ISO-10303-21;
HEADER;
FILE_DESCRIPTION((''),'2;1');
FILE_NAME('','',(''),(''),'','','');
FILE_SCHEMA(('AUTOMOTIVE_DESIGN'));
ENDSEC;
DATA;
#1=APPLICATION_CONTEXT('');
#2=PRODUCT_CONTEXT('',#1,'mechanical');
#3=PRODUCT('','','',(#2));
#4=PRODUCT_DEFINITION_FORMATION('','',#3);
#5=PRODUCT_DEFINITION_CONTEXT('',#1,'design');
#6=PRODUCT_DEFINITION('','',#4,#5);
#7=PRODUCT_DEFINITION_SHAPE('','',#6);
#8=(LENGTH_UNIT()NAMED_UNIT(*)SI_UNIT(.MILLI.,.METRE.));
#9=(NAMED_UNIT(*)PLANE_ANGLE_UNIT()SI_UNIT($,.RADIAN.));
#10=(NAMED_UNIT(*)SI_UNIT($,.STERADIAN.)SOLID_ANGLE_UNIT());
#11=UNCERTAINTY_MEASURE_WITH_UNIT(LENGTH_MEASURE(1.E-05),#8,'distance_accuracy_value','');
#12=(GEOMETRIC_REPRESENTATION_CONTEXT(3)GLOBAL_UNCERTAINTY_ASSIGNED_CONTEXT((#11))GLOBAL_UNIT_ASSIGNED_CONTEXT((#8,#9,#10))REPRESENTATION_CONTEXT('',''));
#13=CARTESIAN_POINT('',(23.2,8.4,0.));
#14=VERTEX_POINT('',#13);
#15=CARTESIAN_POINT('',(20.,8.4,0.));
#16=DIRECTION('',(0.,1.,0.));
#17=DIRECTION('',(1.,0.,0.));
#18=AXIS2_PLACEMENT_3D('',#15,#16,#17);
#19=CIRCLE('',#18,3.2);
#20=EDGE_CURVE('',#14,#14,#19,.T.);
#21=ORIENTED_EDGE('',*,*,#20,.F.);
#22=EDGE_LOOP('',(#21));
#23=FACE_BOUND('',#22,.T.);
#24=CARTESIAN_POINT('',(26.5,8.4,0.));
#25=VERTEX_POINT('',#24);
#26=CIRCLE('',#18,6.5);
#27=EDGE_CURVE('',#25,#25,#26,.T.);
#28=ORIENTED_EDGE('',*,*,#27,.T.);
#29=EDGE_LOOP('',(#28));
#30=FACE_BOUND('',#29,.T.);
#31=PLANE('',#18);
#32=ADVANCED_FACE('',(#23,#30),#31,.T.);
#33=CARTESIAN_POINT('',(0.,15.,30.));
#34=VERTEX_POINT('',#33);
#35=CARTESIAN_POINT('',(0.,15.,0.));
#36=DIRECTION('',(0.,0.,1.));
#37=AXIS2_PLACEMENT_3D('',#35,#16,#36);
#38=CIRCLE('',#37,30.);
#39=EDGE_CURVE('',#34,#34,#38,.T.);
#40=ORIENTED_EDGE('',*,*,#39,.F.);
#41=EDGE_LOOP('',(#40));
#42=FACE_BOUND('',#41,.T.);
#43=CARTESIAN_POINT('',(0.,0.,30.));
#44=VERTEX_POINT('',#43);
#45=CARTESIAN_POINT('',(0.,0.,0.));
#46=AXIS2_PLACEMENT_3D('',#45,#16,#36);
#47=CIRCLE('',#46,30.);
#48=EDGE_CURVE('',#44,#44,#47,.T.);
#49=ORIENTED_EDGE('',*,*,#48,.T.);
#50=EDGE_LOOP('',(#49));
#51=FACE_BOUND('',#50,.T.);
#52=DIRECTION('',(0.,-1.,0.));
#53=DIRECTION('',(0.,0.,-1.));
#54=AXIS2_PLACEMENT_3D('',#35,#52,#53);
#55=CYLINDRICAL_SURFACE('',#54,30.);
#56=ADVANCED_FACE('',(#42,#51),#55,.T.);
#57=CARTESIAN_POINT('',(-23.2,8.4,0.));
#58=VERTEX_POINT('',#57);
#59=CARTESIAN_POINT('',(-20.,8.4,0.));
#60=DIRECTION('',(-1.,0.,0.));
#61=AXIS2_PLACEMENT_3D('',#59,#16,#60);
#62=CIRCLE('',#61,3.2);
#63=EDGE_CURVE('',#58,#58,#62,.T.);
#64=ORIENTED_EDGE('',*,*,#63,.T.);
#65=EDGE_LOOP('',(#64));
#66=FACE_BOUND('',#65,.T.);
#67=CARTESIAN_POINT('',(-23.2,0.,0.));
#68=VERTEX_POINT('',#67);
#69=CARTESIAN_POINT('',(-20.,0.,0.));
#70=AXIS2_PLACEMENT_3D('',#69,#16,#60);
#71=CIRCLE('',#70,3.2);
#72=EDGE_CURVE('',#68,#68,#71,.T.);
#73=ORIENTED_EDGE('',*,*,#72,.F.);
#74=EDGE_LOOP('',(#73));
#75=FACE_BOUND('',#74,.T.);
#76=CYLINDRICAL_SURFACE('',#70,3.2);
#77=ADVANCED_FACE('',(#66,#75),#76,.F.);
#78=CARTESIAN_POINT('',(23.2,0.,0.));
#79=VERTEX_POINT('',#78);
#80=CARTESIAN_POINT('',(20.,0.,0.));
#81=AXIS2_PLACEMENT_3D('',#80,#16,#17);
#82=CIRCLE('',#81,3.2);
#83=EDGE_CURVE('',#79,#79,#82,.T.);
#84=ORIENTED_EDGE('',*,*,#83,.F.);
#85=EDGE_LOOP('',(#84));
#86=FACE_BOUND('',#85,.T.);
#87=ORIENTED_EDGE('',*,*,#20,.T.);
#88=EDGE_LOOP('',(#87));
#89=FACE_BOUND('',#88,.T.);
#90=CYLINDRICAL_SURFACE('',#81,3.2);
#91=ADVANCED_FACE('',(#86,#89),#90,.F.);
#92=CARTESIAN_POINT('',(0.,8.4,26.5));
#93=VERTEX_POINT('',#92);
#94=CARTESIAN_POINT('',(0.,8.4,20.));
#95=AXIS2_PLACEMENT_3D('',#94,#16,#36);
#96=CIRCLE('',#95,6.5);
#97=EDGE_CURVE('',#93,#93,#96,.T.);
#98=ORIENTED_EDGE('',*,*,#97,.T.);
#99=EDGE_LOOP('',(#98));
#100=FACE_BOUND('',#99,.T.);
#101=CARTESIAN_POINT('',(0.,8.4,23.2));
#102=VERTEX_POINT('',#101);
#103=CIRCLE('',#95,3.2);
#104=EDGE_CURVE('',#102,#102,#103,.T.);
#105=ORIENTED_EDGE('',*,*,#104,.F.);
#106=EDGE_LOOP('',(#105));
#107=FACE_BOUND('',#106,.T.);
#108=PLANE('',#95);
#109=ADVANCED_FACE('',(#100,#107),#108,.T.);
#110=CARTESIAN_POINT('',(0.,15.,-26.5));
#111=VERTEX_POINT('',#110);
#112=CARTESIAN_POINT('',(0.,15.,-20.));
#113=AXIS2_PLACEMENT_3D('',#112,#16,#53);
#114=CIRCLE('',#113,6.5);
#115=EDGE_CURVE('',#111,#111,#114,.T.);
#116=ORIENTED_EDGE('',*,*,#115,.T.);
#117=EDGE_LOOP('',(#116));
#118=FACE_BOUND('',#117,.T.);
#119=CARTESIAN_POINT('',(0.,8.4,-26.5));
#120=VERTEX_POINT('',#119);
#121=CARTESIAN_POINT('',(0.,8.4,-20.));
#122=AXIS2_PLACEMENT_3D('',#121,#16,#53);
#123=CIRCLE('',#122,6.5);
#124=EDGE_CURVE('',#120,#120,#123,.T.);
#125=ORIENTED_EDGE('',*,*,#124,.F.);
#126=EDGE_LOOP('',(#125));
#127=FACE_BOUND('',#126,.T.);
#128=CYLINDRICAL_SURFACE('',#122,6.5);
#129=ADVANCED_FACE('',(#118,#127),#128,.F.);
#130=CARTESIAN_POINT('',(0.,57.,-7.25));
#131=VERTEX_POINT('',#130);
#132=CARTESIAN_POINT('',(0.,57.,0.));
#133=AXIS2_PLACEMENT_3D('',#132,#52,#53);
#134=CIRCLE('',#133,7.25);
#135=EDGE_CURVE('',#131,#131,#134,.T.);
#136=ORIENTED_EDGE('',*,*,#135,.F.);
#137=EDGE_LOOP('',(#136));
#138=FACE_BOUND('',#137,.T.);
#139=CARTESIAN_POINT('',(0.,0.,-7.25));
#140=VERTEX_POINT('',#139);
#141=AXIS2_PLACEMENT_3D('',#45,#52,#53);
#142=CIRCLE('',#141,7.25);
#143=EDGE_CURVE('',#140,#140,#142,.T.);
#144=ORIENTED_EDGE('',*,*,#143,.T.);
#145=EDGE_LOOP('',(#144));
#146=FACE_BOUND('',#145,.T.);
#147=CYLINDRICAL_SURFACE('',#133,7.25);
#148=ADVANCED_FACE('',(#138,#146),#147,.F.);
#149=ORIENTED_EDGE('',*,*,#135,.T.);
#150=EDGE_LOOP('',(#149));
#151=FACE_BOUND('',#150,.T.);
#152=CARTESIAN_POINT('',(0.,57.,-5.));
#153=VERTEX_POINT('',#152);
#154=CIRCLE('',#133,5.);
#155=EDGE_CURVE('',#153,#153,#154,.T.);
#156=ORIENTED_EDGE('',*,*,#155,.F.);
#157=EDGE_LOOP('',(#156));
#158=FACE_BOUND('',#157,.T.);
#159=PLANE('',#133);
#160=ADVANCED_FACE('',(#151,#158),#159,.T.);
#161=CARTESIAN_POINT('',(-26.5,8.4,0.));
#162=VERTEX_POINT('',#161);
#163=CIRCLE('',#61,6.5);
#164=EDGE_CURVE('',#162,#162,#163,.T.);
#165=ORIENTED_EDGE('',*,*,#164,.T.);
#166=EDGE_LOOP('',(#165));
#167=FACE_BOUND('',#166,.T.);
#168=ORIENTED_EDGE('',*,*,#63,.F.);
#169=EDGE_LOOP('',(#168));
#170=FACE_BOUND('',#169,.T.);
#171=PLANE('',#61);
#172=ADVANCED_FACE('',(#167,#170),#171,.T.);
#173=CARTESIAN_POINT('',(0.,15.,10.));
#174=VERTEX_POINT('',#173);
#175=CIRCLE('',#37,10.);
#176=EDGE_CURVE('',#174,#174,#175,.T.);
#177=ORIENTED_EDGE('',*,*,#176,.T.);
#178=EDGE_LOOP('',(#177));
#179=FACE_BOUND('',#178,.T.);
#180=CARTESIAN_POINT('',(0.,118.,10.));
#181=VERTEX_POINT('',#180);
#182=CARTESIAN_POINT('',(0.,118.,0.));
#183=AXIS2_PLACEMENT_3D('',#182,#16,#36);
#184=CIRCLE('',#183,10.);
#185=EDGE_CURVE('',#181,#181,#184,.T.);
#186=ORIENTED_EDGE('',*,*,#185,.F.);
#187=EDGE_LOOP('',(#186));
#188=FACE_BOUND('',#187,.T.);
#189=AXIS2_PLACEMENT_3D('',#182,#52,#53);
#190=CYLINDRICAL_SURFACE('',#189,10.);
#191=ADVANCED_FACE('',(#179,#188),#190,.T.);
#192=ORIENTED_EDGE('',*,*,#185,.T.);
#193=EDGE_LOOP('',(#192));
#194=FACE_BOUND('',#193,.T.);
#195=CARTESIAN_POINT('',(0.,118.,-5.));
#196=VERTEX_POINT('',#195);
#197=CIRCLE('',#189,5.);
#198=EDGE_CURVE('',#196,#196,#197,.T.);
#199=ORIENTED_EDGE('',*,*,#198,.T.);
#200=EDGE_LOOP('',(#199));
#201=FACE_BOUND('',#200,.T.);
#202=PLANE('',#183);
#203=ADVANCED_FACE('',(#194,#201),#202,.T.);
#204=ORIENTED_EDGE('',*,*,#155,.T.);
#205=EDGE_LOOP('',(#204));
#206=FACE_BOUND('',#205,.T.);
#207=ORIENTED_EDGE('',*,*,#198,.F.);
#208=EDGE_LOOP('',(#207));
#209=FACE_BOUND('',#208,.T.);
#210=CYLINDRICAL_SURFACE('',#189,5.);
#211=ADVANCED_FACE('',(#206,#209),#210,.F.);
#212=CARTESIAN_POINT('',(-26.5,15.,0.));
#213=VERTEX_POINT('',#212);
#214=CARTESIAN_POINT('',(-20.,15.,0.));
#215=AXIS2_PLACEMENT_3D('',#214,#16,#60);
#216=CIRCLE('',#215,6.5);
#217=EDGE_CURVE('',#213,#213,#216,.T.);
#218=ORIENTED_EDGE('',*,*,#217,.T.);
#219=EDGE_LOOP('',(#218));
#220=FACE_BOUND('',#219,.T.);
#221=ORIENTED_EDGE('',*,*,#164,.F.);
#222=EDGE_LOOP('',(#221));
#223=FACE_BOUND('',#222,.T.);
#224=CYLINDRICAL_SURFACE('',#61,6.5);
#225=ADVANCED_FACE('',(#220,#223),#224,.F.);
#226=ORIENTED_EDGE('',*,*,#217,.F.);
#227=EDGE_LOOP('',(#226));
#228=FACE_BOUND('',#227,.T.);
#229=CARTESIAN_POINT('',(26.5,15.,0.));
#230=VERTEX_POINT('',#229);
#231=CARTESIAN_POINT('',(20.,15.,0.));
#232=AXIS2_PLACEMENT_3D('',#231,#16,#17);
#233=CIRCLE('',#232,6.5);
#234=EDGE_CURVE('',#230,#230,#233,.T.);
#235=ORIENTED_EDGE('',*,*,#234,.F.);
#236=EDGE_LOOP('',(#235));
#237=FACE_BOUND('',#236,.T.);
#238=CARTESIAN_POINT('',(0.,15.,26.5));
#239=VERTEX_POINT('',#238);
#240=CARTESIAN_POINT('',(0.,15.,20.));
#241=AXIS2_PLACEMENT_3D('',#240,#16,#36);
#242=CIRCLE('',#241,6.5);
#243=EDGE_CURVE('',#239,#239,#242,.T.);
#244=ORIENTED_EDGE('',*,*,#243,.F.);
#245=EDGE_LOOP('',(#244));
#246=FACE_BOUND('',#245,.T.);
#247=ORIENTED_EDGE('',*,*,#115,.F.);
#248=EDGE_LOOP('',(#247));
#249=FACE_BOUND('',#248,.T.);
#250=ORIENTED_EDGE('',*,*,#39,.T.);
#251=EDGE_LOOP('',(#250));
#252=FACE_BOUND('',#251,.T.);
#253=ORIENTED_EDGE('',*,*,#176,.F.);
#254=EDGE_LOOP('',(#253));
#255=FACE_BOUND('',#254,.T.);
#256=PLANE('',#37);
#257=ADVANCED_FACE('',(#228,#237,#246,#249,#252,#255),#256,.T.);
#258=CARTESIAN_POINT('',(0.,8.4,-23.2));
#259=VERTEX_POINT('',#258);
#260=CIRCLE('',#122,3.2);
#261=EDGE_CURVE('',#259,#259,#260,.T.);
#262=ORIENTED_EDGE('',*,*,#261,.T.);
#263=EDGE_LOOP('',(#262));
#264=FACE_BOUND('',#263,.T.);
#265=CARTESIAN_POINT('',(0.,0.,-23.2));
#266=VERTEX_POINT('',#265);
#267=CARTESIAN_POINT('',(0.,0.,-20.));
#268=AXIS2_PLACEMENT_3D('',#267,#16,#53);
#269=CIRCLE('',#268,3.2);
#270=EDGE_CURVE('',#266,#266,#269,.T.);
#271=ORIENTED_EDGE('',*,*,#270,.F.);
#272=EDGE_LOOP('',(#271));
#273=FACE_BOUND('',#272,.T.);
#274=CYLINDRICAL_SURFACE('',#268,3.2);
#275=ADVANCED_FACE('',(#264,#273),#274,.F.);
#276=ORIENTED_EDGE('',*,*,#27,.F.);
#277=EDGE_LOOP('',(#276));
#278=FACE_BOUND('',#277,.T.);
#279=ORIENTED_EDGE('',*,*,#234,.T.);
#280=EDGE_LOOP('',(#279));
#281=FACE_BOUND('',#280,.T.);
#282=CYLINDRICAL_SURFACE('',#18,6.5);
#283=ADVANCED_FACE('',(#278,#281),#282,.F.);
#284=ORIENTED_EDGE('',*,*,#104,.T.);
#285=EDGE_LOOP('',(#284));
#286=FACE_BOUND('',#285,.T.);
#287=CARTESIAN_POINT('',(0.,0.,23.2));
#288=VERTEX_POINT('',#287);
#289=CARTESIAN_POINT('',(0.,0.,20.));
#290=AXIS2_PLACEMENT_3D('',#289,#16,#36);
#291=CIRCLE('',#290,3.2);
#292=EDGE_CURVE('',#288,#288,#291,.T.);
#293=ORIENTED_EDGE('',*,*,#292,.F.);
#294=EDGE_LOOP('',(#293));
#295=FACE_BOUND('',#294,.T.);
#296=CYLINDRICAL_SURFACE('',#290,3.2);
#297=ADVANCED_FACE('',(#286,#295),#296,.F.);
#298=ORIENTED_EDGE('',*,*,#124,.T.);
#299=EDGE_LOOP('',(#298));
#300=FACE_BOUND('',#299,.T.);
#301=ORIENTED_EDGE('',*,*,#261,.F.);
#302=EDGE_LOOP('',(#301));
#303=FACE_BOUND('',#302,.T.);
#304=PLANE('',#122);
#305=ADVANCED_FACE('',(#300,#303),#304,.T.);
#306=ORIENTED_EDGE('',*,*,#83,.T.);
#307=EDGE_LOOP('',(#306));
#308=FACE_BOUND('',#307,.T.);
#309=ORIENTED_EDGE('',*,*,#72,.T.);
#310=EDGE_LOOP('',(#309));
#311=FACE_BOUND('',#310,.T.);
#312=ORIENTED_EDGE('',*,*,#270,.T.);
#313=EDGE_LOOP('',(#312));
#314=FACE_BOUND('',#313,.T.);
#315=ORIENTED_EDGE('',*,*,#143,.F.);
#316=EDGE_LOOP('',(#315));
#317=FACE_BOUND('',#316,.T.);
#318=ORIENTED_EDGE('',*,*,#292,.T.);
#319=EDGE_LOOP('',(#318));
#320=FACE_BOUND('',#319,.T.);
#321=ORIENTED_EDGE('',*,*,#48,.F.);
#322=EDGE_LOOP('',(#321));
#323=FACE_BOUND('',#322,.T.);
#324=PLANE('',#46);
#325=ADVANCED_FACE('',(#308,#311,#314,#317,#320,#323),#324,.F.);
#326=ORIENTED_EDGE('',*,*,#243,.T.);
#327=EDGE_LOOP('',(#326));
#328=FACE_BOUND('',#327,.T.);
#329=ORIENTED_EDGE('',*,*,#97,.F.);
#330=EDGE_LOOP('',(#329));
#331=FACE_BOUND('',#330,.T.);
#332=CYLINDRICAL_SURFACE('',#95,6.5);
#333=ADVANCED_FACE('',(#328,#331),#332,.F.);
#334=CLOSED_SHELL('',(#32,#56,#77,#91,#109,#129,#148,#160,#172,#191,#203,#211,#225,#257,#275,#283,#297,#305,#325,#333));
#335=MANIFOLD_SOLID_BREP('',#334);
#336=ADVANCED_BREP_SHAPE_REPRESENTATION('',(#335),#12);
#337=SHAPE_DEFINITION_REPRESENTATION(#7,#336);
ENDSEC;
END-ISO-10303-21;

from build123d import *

# Parameters (mm, degrees)
SKETCH1_R           = 30
BOSS_EXTRUDE1_DEPTH = 15
SKETCH2_R           = 10
BOSS_EXTRUDE2_DEPTH = 103
SKETCH4_R           = 7.25
CUT_EXTRUDE1_DEPTH  = 57
SKETCH5_R           = 5
CUT_EXTRUDE2_DEPTH  = 62
SKETCH7_R           = 6.5
CUT_EXTRUDE3_DEPTH  = 6.6
SKETCH8_R           = 3.2
CUT_EXTRUDE4_DEPTH  = 9.4
CIRPATTERN1_COUNT   = 4


with BuildPart() as part:
    # Sketch1 → Boss-Extrude1 (new body)
    with BuildSketch(Plane(origin=(0, 0, 0), x_dir=(1, 0, 0), z_dir=(0, 1, 0))):
        Circle(SKETCH1_R)
    extrude(amount=BOSS_EXTRUDE1_DEPTH)

    # Sketch2 → Boss-Extrude2 (add)
    with BuildSketch(Plane(origin=(0, 15, 0), x_dir=(1, 0, 0), z_dir=(0, 1, 0))):
        Circle(SKETCH2_R)
    extrude(amount=BOSS_EXTRUDE2_DEPTH)

    # Sketch4 → Cut-Extrude1 (cut)
    with BuildSketch(Plane.XZ):
        Circle(SKETCH4_R)
    extrude(amount=-CUT_EXTRUDE1_DEPTH, mode=Mode.SUBTRACT)

    # Sketch5 → Cut-Extrude2 (cut, through all)
    with BuildSketch(Plane.XZ.offset(-57)):
        Circle(SKETCH5_R)
    extrude(amount=-CUT_EXTRUDE2_DEPTH, mode=Mode.SUBTRACT)

    # Sketch7 → Cut-Extrude3 (cut)
    with BuildSketch(Plane(origin=(0, 15, 0), x_dir=(1, 0, 0), z_dir=(0, 1, 0))):
        with Locations((0, -20)):
            Circle(SKETCH7_R)
    cut_extrude3 = extrude(amount=-CUT_EXTRUDE3_DEPTH, mode=Mode.SUBTRACT)

    # Sketch8 → Cut-Extrude4 (cut, through all)
    with BuildSketch(Plane(origin=(0, 8.4, 0), x_dir=(1, 0, 0), z_dir=(0, 1, 0))):
        with Locations((0, -20)):
            Circle(SKETCH8_R)
    cut_extrude4 = extrude(amount=-CUT_EXTRUDE4_DEPTH, mode=Mode.SUBTRACT)

    # CirPattern1: Cut-Extrude3, Cut-Extrude4 ×4 about axis
    cirpattern1_axis = Axis((0, 0, 0), (0, 1, 0))
    for i in range(1, CIRPATTERN1_COUNT):
        add(cut_extrude3.rotate(cirpattern1_axis, i * 360 / CIRPATTERN1_COUNT), mode=Mode.SUBTRACT)
        add(cut_extrude4.rotate(cirpattern1_axis, i * 360 / CIRPATTERN1_COUNT), mode=Mode.SUBTRACT)


solid = part.part
